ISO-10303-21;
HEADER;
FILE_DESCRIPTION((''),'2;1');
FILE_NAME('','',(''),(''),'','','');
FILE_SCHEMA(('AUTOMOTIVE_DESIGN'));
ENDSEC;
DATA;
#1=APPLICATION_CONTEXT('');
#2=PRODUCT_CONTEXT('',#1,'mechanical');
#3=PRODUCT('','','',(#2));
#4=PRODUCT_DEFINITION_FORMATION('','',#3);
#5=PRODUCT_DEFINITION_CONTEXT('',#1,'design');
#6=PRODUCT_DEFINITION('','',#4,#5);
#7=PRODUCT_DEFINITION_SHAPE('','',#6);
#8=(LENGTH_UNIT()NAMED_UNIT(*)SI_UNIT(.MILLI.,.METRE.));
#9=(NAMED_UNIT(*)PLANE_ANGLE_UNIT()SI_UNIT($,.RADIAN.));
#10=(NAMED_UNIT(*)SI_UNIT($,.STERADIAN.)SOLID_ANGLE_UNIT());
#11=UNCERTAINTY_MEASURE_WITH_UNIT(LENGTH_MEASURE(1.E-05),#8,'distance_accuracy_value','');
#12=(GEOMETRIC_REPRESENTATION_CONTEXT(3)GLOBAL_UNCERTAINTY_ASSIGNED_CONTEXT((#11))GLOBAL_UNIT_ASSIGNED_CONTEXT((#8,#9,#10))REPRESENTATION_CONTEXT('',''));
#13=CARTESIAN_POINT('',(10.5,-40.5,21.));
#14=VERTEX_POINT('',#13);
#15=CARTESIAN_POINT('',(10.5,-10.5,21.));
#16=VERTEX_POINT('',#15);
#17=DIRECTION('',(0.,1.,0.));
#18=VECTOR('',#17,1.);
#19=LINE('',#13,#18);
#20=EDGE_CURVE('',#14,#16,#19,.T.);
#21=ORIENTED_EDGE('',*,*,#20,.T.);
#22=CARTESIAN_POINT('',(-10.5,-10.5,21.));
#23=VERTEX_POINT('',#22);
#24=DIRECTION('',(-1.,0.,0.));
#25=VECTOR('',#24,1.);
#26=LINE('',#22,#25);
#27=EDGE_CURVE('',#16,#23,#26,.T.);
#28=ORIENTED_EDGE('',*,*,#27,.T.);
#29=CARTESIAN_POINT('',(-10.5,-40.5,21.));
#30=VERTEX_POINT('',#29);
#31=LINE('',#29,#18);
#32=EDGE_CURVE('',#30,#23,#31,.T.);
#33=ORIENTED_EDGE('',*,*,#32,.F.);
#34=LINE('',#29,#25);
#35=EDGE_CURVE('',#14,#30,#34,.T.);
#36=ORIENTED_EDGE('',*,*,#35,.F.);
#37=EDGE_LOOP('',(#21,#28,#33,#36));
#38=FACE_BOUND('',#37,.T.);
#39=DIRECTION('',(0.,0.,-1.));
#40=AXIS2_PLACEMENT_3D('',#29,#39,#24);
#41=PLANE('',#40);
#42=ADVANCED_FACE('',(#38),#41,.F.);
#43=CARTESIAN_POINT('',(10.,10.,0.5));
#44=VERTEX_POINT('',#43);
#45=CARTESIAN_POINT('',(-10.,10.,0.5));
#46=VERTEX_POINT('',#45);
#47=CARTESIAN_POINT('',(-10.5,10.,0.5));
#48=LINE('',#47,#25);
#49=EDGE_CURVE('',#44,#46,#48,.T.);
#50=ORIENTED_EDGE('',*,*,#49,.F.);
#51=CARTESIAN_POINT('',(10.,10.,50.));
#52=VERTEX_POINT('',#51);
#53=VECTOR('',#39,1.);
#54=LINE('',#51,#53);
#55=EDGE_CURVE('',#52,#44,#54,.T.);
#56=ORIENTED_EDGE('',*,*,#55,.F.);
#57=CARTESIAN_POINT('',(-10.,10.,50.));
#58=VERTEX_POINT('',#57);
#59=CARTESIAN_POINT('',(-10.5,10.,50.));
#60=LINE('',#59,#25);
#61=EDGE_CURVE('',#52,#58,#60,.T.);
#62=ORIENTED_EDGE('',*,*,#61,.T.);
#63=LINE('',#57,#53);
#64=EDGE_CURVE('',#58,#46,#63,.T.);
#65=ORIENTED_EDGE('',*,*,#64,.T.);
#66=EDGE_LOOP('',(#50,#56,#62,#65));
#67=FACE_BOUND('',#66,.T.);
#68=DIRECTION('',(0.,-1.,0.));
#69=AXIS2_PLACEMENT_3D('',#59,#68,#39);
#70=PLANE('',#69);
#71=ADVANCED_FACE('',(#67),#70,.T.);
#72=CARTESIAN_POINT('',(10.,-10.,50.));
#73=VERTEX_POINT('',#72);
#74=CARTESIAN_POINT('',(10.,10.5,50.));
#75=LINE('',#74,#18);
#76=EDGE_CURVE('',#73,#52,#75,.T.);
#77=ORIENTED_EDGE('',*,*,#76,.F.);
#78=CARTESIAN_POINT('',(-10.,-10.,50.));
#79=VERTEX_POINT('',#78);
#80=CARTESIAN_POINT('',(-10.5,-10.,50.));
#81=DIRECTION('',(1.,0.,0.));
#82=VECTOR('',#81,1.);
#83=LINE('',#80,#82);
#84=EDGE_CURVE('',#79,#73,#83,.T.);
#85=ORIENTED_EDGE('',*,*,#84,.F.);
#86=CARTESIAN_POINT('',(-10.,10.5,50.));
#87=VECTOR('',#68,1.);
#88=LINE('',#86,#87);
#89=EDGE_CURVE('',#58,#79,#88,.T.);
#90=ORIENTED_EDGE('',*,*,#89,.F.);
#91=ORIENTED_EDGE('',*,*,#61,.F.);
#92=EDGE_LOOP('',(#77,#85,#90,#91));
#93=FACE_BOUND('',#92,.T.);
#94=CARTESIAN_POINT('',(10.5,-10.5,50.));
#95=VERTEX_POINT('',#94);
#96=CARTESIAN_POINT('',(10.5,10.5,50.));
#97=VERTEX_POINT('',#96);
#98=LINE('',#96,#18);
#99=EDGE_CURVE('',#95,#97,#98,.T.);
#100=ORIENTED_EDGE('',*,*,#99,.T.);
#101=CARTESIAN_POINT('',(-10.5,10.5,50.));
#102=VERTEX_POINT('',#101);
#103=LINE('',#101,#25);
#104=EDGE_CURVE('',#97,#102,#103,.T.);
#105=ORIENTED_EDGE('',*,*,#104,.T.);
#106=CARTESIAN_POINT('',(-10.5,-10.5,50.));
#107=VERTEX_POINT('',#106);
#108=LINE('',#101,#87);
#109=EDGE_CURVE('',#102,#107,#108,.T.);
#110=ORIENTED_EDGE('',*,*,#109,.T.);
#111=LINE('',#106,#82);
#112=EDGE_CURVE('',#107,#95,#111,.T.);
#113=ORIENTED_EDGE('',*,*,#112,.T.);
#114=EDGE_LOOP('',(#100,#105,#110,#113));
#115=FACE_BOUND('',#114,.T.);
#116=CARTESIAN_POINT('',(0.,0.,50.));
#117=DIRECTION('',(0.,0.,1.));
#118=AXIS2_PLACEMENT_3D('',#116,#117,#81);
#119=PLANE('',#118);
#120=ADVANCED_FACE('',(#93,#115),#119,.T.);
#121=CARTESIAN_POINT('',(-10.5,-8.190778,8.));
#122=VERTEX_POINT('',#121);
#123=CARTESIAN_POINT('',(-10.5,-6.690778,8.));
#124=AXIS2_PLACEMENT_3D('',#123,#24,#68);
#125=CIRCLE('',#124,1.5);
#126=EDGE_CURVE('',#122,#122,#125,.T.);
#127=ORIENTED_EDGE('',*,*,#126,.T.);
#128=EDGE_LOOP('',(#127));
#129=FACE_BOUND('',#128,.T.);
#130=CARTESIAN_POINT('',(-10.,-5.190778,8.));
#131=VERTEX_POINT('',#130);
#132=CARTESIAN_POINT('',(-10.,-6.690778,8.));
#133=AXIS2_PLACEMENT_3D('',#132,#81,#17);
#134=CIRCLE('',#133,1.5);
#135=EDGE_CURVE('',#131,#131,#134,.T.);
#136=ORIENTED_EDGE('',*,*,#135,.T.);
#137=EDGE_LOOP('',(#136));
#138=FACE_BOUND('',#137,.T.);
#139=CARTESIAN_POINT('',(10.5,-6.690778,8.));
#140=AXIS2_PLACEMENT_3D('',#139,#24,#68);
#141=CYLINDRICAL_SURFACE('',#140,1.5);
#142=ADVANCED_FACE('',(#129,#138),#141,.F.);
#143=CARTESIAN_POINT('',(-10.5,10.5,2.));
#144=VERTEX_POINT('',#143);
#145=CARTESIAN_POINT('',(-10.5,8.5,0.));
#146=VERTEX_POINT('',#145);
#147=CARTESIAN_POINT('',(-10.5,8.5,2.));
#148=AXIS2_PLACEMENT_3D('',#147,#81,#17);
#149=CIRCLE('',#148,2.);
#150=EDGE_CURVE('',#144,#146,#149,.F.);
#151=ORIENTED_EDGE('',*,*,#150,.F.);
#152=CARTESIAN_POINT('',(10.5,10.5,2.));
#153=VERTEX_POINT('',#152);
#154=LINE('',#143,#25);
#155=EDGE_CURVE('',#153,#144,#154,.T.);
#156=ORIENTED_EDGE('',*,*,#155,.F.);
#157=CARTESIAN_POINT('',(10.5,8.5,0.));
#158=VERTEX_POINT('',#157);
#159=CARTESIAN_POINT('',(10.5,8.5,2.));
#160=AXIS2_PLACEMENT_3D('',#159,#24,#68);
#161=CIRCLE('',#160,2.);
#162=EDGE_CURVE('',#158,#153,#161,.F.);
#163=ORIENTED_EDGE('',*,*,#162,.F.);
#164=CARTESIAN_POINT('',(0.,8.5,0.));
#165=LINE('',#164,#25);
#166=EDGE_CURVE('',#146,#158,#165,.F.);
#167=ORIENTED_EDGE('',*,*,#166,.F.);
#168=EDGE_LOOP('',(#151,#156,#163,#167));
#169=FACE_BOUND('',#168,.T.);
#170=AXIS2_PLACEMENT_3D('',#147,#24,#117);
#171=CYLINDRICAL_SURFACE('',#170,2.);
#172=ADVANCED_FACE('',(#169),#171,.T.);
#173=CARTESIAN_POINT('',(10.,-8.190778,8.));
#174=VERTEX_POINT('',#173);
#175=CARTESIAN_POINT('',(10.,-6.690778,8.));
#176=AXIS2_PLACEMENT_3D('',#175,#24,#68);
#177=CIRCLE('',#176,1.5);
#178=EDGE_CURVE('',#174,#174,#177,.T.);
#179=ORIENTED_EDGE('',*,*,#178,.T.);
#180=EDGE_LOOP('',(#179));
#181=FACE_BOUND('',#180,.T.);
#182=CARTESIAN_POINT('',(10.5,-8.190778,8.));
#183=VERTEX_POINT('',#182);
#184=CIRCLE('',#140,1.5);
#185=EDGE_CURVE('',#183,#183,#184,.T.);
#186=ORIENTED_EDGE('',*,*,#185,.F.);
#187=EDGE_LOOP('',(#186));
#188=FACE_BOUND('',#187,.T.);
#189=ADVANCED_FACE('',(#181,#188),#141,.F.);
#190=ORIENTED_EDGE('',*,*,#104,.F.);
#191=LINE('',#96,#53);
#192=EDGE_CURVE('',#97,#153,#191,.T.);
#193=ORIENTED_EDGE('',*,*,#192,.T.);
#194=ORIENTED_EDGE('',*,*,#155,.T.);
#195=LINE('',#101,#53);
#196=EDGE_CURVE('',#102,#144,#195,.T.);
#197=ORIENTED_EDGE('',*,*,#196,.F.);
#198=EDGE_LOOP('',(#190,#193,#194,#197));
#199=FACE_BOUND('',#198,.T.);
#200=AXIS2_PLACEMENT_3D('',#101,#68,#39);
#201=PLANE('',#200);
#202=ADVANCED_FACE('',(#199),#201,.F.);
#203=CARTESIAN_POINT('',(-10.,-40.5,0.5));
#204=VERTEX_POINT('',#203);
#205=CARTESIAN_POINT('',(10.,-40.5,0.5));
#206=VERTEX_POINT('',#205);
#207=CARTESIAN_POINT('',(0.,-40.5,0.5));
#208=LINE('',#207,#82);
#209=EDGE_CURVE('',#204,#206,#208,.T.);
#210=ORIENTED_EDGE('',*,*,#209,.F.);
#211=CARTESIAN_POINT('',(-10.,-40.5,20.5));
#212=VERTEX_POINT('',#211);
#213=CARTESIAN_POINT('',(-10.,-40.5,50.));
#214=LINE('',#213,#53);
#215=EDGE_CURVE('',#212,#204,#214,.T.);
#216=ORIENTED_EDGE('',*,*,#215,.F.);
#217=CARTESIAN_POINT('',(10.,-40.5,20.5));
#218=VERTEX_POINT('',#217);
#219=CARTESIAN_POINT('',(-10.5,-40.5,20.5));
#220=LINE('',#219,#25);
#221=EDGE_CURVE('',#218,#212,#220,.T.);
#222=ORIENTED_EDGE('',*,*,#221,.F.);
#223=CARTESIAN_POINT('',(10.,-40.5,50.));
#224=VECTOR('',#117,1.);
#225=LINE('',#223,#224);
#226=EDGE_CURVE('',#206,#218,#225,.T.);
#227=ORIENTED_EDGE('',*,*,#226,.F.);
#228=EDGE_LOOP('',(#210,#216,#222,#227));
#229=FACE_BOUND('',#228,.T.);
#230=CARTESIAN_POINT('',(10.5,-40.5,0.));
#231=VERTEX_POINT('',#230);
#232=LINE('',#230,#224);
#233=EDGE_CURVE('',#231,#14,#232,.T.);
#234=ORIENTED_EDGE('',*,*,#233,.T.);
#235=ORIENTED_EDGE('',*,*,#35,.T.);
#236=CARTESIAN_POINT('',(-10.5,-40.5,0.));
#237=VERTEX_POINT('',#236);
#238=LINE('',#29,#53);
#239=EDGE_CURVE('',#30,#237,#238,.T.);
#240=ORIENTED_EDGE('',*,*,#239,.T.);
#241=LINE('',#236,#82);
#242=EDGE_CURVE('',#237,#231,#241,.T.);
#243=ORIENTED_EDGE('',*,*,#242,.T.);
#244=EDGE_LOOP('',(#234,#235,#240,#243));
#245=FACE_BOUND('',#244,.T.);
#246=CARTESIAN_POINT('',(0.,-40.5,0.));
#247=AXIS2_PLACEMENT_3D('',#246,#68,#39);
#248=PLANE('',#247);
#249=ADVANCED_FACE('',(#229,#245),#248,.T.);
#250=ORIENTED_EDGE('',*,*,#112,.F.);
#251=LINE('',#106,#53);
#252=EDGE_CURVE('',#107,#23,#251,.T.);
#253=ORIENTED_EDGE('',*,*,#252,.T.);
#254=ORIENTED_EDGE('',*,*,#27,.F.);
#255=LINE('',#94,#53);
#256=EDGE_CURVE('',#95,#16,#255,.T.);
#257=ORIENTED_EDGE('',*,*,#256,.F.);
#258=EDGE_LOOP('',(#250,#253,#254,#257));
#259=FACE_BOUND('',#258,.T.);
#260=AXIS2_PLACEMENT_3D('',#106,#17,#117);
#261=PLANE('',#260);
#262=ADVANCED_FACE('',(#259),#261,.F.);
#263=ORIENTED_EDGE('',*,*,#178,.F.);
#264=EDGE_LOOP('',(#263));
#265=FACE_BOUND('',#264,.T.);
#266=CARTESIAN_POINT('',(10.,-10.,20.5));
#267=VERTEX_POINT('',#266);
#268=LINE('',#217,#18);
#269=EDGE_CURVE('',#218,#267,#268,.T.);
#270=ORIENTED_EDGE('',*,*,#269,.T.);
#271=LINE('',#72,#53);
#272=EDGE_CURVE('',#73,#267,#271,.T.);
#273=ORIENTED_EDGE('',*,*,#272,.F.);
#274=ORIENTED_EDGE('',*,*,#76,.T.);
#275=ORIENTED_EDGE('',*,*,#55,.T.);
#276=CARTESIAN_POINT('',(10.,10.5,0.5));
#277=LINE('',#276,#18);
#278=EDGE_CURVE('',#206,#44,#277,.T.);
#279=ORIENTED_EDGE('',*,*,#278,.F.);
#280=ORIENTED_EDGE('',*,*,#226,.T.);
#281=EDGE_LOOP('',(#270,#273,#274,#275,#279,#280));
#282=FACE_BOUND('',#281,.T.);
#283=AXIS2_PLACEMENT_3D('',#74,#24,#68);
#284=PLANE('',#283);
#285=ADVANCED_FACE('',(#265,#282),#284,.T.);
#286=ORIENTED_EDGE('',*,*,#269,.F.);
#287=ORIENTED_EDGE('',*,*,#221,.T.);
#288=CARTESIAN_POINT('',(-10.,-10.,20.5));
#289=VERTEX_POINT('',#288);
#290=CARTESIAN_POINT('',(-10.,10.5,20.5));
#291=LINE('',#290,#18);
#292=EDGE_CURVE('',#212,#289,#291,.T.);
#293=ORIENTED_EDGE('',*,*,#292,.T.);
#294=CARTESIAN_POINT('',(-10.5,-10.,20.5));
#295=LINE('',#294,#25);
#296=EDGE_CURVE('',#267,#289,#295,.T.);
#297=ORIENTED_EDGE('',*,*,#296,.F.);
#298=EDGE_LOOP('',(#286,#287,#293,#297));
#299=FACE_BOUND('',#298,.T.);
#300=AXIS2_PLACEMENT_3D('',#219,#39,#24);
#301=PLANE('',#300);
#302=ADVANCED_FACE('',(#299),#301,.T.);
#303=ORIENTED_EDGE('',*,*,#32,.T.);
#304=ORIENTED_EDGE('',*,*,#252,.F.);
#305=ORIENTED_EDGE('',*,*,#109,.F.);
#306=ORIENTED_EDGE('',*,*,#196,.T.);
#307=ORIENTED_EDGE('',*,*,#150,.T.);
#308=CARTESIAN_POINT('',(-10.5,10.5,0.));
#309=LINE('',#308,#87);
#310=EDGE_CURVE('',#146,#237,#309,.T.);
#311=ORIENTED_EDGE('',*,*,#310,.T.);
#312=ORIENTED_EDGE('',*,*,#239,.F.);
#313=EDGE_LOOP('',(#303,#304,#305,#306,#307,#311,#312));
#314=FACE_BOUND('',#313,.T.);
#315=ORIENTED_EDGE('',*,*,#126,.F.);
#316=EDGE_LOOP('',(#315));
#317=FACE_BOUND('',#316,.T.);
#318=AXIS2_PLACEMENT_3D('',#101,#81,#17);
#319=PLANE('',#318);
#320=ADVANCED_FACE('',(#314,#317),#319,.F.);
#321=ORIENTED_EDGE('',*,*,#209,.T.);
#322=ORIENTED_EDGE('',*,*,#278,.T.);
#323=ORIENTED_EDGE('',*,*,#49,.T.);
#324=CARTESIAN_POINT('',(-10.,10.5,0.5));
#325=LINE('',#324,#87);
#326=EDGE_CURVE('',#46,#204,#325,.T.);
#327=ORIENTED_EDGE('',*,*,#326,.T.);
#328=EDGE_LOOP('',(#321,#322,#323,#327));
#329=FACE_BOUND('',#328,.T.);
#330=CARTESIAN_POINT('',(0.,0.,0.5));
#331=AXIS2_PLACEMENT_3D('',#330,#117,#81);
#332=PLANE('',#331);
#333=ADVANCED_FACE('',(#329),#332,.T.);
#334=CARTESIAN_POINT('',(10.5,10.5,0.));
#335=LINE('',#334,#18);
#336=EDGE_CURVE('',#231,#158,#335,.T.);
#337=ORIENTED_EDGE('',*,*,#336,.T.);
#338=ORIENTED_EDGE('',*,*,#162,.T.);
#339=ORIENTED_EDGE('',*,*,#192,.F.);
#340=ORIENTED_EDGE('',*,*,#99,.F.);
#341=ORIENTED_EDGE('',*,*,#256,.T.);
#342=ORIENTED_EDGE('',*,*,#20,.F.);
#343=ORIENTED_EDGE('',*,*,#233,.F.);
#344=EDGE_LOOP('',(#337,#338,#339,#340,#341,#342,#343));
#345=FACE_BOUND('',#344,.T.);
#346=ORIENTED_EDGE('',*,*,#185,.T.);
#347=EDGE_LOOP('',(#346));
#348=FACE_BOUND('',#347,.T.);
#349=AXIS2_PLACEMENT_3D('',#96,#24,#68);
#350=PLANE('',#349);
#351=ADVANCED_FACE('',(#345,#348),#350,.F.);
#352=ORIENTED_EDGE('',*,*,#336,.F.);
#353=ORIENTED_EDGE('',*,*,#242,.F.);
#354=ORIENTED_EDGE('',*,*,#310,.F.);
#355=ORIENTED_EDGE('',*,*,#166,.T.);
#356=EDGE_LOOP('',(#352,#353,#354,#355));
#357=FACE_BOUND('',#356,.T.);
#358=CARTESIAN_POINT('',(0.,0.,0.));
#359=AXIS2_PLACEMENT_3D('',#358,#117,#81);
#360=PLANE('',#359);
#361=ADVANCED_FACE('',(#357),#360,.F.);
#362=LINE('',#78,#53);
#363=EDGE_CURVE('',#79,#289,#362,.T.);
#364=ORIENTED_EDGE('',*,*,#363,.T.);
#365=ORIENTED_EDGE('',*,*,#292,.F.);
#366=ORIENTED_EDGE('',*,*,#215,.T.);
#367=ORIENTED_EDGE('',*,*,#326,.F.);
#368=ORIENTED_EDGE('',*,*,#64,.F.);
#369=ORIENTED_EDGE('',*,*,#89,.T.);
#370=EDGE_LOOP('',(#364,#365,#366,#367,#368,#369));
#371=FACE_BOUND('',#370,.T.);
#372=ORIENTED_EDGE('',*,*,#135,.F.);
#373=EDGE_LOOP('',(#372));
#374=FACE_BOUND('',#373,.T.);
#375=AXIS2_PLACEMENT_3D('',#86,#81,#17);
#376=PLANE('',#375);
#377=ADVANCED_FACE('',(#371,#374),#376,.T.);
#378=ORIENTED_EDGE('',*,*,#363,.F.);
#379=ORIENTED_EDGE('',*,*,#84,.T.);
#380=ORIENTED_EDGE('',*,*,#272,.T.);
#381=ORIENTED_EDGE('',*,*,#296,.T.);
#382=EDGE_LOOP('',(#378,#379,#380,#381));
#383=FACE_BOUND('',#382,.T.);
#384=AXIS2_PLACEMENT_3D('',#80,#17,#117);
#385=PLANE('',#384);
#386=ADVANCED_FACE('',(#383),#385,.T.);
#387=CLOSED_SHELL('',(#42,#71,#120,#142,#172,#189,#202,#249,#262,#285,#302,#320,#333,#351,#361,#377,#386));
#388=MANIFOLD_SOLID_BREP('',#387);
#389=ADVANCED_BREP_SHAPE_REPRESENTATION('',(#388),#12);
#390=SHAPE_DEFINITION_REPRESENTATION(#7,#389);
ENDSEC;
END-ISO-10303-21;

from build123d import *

# Parameters (mm, degrees)
ESQUISSE1_W             = 21
ESQUISSE1_H             = 21
BOSS_EXTRU_1_DEPTH      = 50
ESQUISSE3_W             = 21
ESQUISSE3_H             = 21
BOSS_EXTRU_2_DEPTH      = 30
COQUE1_T                = -0.5
CONG_1_R                = 2
ESQUISSE4_R             = 1.5
ENL_V_MAT_EXTRU_1_DEPTH = 68.684931853


with BuildPart() as part:
    # Esquisse1 → Boss.-Extru.1 (new body)
    with BuildSketch(Plane.XY):
        Rectangle(ESQUISSE1_W, ESQUISSE1_H)
    extrude(amount=BOSS_EXTRU_1_DEPTH)

    # Esquisse3 → Boss.-Extru.2 (add)
    with BuildSketch(Plane.XZ.offset(10.5)):
        with Locations((0, 10.5)):
            Rectangle(ESQUISSE3_W, ESQUISSE3_H)
    extrude(amount=BOSS_EXTRU_2_DEPTH)

    # Coque1
    coque1_openings = [part.faces().sort_by_distance(p)[0] for p in [
        (0, 0, 50),
        (0, -40.5, 10.5),
    ]]
    offset(amount=COQUE1_T, openings=coque1_openings, kind=Kind.INTERSECTION)

    # Congé1
    cong_1_edges = [part.edges().sort_by_distance(p)[0] for p in [
        (0, 10.5, 0),
    ]]
    fillet(cong_1_edges, radius=CONG_1_R)

    # Esquisse4 → Enlèv. mat.-Extru.1 (cut, through all)
    with BuildSketch(Plane.ZY.offset(10.5)):
        with Locations(Location((8, -6.690777593, 0), (0, 0, 270))):
            Circle(ESQUISSE4_R)
    extrude(amount=-ENL_V_MAT_EXTRU_1_DEPTH, mode=Mode.SUBTRACT)


solid = part.part
